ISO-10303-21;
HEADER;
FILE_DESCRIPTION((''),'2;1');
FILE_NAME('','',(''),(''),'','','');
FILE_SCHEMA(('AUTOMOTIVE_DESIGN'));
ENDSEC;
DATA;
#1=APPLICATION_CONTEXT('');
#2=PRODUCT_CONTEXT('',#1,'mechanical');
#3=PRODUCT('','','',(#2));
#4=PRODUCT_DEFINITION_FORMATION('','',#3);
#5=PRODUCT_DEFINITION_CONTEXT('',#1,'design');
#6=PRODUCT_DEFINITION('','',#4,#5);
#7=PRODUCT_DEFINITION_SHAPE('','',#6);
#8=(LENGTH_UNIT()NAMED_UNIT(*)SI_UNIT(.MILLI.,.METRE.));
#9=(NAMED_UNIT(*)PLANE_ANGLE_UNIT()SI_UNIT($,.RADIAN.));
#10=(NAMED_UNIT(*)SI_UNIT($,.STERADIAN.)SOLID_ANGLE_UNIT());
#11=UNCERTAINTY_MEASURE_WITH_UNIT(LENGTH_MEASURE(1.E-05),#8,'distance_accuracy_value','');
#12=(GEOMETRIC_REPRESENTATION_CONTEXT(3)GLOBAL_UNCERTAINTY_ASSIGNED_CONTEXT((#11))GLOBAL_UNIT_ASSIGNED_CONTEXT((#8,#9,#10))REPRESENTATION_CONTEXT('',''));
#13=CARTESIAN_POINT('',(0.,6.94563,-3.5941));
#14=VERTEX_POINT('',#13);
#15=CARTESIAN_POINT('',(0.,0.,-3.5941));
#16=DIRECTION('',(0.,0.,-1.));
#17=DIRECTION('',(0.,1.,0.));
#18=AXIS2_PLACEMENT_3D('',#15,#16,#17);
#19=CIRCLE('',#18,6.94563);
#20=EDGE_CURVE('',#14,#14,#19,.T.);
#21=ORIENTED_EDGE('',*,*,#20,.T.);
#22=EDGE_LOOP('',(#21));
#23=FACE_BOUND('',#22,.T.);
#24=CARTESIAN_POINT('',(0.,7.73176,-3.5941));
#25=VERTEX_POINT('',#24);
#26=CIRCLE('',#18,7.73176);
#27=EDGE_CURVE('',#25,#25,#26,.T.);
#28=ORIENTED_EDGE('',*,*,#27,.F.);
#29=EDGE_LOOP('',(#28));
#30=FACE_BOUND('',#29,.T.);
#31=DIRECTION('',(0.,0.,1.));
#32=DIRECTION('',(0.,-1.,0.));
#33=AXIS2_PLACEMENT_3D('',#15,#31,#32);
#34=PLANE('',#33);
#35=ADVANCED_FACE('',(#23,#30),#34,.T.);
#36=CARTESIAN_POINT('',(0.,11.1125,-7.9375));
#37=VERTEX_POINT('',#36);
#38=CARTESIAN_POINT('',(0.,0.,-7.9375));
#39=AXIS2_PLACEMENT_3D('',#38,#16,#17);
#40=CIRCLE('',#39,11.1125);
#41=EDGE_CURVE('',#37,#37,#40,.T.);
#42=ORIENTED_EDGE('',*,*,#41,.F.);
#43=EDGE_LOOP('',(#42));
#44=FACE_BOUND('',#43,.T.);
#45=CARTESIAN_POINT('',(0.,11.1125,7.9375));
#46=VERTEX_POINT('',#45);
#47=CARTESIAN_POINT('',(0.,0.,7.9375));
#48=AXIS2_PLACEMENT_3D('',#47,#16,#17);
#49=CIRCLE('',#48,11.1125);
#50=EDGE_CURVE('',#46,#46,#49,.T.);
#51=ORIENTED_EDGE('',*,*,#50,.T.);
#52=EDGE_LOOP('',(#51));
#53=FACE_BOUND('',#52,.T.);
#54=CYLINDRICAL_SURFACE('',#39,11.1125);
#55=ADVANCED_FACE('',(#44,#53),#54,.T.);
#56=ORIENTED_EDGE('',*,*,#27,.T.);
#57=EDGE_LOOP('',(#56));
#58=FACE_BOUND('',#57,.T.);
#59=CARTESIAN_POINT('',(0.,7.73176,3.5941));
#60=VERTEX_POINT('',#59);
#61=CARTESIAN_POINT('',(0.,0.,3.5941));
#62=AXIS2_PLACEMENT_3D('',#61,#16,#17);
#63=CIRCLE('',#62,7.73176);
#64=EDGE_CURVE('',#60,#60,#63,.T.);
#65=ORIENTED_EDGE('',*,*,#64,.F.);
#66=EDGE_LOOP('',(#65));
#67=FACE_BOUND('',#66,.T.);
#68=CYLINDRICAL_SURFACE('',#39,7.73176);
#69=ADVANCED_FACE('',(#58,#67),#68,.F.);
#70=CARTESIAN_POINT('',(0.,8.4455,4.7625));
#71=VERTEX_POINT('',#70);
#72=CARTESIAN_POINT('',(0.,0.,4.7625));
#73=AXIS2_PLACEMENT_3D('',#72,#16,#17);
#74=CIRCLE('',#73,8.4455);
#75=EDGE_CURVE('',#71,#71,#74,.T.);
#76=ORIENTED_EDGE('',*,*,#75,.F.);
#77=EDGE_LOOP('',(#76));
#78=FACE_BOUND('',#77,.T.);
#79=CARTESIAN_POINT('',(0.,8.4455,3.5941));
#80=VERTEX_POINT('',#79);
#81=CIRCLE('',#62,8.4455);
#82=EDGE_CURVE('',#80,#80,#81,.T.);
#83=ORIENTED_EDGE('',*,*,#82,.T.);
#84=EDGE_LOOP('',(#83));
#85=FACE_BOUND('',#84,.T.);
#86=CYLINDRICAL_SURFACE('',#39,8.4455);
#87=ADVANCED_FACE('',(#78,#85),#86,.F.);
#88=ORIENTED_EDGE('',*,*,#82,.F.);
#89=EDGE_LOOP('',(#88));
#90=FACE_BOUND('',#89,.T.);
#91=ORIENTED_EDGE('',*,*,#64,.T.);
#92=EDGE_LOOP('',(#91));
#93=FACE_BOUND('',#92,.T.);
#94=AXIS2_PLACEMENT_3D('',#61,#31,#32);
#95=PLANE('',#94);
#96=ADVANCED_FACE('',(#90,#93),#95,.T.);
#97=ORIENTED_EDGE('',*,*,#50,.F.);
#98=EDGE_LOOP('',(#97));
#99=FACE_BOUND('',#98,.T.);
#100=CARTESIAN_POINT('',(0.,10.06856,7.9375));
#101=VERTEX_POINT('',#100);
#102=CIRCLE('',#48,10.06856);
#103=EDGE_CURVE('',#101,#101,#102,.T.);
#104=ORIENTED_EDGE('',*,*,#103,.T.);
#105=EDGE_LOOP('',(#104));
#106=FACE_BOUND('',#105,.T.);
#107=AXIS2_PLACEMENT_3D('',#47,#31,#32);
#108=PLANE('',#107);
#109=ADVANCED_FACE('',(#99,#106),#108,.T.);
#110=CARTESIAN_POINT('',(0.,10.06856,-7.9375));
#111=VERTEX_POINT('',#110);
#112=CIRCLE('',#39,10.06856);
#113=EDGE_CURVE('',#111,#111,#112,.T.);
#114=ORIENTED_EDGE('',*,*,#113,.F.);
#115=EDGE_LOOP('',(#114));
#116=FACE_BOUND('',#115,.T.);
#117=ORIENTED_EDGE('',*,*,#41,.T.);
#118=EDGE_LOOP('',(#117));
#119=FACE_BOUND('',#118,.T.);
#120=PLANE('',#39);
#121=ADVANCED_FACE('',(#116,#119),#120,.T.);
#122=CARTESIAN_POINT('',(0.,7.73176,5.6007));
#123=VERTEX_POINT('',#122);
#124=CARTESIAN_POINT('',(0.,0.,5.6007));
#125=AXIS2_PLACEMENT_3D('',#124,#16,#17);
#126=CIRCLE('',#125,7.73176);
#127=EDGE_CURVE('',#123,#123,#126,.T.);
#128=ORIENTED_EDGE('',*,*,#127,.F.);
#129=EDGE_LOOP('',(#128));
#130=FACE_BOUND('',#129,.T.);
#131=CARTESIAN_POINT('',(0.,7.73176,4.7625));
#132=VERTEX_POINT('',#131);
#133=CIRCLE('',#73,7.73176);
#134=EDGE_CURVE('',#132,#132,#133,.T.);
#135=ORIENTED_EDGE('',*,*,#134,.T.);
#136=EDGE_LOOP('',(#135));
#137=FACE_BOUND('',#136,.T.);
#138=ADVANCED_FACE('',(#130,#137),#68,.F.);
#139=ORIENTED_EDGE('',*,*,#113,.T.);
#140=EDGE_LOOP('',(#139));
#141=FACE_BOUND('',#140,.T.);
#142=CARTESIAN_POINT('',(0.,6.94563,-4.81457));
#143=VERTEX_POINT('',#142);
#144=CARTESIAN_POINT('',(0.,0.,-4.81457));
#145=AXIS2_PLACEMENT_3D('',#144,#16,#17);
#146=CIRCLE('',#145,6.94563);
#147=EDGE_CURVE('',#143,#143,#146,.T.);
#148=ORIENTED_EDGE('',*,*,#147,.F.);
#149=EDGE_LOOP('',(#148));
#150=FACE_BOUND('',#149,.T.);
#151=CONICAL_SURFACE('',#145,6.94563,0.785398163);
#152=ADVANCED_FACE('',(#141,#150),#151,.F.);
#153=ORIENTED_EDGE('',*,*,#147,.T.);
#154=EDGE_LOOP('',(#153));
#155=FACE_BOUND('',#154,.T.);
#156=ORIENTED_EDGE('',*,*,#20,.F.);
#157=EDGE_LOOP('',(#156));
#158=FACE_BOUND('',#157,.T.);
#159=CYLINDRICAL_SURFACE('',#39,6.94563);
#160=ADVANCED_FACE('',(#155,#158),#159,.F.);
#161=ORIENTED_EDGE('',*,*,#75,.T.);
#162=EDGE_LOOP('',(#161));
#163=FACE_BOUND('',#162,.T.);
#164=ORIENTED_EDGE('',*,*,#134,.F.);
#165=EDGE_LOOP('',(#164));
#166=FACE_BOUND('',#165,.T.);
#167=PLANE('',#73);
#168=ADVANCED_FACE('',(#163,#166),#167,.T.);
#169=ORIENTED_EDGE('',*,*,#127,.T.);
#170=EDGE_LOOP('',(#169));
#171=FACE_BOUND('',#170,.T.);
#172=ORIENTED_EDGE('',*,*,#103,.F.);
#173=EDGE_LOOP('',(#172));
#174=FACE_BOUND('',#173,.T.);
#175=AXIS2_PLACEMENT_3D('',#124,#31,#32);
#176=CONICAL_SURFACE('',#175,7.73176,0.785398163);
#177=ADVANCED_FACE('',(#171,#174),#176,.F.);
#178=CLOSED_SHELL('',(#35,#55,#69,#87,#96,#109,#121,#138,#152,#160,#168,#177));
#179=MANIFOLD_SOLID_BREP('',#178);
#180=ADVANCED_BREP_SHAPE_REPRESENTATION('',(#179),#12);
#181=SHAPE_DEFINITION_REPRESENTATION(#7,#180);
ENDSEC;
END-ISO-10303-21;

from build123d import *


with BuildPart() as part:
    # Sketch1 → Body (revolve)
    with BuildSketch(Plane(origin=(0, 0, 0), x_dir=(0, 0, -1), z_dir=(1, 0, 0))):
        Polygon((-5.6007, -7.73176), (-7.9375, -10.06856), (-7.9375, -11.1125), (7.9375, -11.1125), (7.9375, -10.06856), (4.81457, -6.94563), (3.5941, -6.94563), (3.5941, -7.73176), (-3.5941, -7.73176), (-3.5941, -8.4455), (-4.7625, -8.4455), (-4.7625, -7.73176), align=None)
    revolve(axis=Axis((0, 0, -7.9375), (0, 0, 1)))


solid = part.part
